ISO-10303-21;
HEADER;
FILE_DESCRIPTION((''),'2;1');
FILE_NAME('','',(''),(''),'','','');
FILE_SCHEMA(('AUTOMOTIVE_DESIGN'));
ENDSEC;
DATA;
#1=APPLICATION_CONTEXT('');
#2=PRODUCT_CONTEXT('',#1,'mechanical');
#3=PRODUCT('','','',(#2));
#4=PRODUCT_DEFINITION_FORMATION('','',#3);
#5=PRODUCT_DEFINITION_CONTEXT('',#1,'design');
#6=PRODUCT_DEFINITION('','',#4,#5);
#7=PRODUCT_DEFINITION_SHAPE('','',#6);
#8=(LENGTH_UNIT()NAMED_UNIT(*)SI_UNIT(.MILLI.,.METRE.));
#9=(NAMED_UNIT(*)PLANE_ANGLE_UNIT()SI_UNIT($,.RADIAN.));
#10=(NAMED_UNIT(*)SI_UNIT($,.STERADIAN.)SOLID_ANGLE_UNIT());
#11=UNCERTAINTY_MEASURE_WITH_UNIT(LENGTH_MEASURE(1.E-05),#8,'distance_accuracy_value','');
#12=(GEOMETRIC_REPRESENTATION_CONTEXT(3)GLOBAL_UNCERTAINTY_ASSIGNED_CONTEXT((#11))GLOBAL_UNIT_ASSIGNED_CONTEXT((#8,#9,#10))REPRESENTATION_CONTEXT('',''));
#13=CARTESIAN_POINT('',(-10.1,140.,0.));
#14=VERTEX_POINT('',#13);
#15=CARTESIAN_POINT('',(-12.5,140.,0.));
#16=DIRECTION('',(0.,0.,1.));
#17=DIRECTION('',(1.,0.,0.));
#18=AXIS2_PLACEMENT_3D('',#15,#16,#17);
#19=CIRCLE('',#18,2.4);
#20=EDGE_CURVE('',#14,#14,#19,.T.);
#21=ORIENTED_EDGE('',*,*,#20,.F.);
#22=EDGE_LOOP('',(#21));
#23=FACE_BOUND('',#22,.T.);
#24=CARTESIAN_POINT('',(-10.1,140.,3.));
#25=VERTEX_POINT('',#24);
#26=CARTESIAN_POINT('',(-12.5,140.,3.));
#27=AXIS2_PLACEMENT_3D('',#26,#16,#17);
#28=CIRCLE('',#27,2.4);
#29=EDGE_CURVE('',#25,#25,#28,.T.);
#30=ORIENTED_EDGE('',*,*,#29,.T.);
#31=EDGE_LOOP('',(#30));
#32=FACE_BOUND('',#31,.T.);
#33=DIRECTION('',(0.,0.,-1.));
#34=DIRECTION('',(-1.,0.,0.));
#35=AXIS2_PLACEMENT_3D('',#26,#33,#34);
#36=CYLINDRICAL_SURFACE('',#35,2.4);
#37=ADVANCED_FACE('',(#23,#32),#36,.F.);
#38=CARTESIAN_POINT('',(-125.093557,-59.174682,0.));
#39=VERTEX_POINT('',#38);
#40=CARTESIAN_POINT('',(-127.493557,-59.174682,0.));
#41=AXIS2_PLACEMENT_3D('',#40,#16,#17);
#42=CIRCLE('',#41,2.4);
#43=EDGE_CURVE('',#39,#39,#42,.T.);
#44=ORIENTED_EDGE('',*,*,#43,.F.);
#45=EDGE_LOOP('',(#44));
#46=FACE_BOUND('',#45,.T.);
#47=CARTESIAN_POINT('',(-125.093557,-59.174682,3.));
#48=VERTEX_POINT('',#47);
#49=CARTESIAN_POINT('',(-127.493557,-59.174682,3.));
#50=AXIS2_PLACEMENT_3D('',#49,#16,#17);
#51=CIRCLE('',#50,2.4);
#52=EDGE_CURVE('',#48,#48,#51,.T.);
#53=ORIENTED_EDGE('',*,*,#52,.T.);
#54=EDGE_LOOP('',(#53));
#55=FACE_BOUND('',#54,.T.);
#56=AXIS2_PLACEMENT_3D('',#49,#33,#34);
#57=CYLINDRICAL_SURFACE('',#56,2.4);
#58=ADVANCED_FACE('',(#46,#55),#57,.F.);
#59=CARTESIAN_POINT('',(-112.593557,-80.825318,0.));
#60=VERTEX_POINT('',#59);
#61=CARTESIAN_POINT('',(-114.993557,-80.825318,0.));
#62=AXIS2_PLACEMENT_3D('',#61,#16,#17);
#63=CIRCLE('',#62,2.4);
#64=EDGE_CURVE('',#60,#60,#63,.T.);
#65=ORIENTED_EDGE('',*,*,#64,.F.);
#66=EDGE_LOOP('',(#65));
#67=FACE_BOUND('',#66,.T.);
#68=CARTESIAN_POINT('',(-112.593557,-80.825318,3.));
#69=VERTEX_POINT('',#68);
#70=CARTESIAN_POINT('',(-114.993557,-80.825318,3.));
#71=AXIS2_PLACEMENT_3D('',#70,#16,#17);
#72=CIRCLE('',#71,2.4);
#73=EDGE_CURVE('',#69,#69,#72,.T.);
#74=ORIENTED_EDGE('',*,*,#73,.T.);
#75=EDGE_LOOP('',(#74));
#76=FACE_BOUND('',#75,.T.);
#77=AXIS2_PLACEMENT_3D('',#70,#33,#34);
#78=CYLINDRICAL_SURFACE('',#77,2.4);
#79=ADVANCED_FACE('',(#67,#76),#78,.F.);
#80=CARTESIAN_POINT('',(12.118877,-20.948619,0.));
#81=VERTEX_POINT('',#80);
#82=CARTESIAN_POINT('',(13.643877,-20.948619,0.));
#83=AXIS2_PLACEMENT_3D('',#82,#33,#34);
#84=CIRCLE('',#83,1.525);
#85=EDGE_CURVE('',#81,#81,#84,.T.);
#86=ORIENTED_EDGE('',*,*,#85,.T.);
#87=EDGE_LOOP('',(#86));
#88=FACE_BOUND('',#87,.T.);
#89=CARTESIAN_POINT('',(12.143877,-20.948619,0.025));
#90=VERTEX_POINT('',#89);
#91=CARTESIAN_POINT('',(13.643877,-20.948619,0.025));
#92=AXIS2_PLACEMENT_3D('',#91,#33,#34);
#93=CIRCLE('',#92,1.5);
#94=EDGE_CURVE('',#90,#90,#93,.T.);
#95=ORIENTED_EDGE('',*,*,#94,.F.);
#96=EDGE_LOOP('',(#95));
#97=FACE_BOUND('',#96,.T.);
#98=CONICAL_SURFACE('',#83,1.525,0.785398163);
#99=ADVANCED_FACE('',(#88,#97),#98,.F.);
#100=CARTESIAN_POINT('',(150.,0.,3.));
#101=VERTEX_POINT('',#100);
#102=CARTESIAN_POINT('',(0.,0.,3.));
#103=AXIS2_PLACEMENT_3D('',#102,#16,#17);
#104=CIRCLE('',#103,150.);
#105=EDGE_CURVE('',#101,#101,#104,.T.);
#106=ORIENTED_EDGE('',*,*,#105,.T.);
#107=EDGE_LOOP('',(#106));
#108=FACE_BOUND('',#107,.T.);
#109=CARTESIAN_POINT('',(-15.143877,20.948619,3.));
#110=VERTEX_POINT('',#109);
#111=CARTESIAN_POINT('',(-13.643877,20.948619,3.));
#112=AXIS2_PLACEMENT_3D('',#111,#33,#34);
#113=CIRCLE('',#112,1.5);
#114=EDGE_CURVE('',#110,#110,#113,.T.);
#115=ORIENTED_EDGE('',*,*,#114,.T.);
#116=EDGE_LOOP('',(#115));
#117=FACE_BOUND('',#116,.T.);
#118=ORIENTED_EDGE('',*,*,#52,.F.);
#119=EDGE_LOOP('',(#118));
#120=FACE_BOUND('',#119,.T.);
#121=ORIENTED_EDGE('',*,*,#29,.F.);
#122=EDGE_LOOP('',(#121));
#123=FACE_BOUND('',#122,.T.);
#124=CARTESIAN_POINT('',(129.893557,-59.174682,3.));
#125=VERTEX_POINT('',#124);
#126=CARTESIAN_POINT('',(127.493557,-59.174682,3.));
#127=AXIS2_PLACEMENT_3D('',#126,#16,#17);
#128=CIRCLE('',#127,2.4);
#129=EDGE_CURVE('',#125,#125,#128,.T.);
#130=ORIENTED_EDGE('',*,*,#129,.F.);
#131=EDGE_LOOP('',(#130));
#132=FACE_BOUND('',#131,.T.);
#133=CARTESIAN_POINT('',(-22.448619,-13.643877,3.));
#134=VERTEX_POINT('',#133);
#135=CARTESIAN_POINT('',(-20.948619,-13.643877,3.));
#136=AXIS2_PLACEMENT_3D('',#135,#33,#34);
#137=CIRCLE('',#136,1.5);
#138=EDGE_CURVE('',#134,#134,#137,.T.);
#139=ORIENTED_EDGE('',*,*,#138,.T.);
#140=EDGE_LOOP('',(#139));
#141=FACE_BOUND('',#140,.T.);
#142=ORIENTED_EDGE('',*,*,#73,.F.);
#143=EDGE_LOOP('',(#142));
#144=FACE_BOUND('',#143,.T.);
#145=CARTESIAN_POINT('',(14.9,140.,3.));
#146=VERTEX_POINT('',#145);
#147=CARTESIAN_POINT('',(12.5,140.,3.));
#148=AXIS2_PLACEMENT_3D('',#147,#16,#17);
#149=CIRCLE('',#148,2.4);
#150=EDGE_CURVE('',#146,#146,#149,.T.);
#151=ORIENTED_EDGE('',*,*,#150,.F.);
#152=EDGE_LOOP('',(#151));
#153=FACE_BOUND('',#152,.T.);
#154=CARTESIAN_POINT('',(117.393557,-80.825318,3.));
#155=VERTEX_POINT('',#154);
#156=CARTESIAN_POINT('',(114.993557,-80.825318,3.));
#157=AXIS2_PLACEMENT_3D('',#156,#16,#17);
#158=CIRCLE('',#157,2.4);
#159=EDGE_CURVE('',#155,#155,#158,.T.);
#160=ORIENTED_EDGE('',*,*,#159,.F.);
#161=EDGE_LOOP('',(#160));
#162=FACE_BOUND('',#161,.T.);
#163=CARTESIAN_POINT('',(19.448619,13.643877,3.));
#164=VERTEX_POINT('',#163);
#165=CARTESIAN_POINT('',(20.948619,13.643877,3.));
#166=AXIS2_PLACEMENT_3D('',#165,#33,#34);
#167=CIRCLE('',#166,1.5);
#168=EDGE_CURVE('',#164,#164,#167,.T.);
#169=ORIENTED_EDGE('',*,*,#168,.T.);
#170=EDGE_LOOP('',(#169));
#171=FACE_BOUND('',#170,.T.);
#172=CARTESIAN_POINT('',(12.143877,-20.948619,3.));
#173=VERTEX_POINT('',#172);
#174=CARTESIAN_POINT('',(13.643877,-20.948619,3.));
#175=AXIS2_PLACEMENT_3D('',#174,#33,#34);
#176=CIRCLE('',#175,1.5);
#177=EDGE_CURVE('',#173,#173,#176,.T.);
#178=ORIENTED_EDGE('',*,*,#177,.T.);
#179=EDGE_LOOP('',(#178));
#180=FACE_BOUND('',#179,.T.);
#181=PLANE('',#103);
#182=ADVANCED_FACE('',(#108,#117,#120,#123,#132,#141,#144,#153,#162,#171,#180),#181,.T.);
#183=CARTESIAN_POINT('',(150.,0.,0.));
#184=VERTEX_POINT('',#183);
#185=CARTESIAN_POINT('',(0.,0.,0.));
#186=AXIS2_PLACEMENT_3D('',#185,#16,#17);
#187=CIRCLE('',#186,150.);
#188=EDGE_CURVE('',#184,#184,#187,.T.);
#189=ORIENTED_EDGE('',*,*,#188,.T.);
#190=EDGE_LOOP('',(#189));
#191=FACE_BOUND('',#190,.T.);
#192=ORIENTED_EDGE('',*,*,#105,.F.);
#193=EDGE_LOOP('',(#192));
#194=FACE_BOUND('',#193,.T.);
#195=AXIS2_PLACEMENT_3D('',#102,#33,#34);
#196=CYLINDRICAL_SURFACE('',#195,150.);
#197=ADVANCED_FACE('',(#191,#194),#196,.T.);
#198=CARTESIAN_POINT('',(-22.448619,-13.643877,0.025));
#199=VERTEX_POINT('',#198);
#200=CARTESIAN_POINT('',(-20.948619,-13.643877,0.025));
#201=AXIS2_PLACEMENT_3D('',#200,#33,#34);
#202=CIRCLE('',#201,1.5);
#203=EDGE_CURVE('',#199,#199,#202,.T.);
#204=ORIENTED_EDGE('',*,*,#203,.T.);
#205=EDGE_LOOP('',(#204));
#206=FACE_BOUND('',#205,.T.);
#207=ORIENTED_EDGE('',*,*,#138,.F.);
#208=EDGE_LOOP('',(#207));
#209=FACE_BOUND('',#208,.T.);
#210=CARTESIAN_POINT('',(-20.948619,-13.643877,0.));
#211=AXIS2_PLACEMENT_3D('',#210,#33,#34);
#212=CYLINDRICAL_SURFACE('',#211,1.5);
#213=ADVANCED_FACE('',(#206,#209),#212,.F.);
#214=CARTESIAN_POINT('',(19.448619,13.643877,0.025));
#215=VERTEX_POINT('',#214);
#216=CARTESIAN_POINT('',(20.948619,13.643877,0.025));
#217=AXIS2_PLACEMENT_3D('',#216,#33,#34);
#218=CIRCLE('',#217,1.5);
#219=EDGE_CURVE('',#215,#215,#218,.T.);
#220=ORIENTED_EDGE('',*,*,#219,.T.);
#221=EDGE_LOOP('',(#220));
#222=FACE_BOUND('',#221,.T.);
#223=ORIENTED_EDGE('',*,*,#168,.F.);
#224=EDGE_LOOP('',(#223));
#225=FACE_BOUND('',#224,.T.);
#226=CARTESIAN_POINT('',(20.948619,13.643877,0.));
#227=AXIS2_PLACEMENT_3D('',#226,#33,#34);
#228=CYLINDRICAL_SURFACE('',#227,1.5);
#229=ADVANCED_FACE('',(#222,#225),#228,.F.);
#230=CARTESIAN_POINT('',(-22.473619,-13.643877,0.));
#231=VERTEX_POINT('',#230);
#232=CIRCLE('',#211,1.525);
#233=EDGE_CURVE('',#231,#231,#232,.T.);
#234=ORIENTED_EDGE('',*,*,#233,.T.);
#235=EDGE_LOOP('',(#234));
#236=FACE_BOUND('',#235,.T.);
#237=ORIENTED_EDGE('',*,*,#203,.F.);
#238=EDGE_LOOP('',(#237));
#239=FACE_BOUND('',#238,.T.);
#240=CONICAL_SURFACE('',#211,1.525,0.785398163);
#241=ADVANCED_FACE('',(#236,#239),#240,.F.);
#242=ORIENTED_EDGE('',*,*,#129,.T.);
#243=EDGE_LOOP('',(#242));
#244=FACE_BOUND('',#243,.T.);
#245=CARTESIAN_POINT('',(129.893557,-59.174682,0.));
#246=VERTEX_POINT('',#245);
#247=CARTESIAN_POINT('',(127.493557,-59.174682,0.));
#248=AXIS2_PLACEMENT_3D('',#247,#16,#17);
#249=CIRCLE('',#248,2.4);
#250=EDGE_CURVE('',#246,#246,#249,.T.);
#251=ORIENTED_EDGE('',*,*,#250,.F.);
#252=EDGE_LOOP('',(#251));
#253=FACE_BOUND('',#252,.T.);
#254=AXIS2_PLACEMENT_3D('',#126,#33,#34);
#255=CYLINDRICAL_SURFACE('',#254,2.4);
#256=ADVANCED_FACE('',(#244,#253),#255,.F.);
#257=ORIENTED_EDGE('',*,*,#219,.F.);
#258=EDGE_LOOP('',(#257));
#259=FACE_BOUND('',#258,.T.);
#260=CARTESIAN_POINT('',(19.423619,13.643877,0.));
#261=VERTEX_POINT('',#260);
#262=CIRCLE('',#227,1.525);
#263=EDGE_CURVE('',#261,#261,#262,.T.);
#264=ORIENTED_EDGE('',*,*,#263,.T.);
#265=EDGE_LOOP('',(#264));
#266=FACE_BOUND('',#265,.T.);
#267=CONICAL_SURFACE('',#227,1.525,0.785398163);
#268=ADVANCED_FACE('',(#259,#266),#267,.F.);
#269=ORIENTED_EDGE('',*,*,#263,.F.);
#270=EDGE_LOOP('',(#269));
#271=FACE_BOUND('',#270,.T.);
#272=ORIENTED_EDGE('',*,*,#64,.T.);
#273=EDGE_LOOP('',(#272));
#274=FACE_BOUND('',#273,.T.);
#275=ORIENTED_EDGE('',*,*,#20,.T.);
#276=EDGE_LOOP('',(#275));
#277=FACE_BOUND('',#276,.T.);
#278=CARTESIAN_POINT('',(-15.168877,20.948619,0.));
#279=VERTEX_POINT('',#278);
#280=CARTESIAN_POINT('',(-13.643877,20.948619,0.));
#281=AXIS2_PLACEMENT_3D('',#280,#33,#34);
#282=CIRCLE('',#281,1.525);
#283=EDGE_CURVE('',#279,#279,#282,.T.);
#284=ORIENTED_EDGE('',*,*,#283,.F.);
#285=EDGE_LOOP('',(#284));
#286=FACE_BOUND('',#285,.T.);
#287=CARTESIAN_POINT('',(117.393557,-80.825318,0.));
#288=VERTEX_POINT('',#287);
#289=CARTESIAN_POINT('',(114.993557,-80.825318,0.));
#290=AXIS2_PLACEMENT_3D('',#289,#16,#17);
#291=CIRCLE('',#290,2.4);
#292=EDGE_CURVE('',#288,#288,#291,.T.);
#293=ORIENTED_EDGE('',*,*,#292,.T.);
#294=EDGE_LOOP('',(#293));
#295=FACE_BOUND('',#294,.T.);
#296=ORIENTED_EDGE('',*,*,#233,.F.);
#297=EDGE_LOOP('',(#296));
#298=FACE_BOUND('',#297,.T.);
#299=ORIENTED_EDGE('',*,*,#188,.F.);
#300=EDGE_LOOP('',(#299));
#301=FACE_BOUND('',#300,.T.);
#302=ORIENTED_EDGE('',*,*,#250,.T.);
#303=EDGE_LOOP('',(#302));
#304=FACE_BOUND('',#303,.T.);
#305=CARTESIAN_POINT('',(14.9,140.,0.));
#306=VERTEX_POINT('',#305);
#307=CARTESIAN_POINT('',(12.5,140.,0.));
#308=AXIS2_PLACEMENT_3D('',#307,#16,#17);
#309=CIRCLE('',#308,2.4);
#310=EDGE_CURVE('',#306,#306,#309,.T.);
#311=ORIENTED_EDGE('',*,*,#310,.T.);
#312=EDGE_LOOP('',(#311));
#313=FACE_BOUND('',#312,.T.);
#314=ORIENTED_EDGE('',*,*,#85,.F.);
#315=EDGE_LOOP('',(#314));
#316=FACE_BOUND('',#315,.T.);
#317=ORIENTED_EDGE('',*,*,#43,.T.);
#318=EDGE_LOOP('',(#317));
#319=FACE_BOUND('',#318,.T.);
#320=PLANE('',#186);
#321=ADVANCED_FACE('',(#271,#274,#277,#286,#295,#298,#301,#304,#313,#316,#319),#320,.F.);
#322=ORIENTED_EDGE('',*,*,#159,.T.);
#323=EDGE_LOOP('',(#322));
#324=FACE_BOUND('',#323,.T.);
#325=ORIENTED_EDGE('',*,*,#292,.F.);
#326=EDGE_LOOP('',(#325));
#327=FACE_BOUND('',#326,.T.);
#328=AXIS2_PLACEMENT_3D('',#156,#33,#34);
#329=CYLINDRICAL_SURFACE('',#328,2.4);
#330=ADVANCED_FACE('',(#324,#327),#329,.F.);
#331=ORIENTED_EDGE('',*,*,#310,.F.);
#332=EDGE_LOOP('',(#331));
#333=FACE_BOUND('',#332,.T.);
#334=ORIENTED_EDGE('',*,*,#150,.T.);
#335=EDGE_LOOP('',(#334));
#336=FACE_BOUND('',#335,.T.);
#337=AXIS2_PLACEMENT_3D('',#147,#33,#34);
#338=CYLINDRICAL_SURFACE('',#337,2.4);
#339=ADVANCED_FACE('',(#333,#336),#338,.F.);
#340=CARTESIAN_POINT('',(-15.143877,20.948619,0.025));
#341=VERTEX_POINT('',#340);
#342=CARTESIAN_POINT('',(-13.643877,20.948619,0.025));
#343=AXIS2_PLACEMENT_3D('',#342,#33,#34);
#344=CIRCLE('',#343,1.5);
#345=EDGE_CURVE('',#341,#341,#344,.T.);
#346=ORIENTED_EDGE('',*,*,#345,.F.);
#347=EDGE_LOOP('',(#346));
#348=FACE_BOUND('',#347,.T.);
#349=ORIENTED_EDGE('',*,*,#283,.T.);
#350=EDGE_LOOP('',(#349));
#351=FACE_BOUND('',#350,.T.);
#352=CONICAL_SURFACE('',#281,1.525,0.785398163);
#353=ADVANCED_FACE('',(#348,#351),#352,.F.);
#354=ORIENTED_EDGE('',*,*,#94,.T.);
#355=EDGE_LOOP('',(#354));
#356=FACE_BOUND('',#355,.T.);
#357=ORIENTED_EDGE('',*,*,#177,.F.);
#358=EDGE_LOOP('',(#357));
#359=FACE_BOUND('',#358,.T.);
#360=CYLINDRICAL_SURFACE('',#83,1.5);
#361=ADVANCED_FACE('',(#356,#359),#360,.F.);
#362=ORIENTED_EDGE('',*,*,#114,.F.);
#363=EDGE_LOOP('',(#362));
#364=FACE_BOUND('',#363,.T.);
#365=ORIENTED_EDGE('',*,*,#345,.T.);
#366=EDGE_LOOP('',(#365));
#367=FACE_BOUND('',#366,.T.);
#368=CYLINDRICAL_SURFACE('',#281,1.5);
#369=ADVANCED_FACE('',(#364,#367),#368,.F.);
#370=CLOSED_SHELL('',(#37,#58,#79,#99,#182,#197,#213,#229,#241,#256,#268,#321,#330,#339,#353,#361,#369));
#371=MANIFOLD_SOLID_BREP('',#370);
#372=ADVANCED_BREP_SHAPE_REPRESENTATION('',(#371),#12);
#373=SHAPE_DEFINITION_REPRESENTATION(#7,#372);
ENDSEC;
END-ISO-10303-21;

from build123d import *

# Parameters (mm, degrees)
SKETCH1_R                       = 150
SKETCH1_R_2                     = 2.4
BOSS_EXTRUDE2_DEPTH             = 3
F_3_0MM_DOWEL_HOLE2_D           = 3
F_3_0MM_DOWEL_HOLE2_CSINK_D     = 3.05
F_3_0MM_DOWEL_HOLE2_CSINK_ANGLE = 90


with BuildPart() as part:
    # Sketch1 → Boss-Extrude2 (new body)
    with BuildSketch(Plane.XY):
        Circle(SKETCH1_R)
        with Locations((12.5, 140)):
            Circle(SKETCH1_R_2, mode=Mode.SUBTRACT)
        with Locations((-12.5, 140)):
            Circle(SKETCH1_R_2, mode=Mode.SUBTRACT)
        with Locations((127.49355653, -59.174682453)):
            Circle(SKETCH1_R_2, mode=Mode.SUBTRACT)
        with Locations((114.99355653, -80.825317547)):
            Circle(SKETCH1_R_2, mode=Mode.SUBTRACT)
        with Locations((-114.99355653, -80.825317547)):
            Circle(SKETCH1_R_2, mode=Mode.SUBTRACT)
        with Locations((-127.49355653, -59.174682453)):
            Circle(SKETCH1_R_2, mode=Mode.SUBTRACT)
    extrude(amount=BOSS_EXTRUDE2_DEPTH)

    # Ø3.0mm Dowel Hole2 (through all)
    with Locations(Plane(origin=(0, 0, 0), x_dir=(-1, 0, 0), z_dir=(0, 0, -1))):
        with Locations((-20.948618644, 13.643876902), (13.643876902, 20.948618644), (20.948618644, -13.643876902), (-13.643876902, -20.948618644)):
            CounterSinkHole(F_3_0MM_DOWEL_HOLE2_D / 2, F_3_0MM_DOWEL_HOLE2_CSINK_D / 2, counter_sink_angle=F_3_0MM_DOWEL_HOLE2_CSINK_ANGLE)


solid = part.part
